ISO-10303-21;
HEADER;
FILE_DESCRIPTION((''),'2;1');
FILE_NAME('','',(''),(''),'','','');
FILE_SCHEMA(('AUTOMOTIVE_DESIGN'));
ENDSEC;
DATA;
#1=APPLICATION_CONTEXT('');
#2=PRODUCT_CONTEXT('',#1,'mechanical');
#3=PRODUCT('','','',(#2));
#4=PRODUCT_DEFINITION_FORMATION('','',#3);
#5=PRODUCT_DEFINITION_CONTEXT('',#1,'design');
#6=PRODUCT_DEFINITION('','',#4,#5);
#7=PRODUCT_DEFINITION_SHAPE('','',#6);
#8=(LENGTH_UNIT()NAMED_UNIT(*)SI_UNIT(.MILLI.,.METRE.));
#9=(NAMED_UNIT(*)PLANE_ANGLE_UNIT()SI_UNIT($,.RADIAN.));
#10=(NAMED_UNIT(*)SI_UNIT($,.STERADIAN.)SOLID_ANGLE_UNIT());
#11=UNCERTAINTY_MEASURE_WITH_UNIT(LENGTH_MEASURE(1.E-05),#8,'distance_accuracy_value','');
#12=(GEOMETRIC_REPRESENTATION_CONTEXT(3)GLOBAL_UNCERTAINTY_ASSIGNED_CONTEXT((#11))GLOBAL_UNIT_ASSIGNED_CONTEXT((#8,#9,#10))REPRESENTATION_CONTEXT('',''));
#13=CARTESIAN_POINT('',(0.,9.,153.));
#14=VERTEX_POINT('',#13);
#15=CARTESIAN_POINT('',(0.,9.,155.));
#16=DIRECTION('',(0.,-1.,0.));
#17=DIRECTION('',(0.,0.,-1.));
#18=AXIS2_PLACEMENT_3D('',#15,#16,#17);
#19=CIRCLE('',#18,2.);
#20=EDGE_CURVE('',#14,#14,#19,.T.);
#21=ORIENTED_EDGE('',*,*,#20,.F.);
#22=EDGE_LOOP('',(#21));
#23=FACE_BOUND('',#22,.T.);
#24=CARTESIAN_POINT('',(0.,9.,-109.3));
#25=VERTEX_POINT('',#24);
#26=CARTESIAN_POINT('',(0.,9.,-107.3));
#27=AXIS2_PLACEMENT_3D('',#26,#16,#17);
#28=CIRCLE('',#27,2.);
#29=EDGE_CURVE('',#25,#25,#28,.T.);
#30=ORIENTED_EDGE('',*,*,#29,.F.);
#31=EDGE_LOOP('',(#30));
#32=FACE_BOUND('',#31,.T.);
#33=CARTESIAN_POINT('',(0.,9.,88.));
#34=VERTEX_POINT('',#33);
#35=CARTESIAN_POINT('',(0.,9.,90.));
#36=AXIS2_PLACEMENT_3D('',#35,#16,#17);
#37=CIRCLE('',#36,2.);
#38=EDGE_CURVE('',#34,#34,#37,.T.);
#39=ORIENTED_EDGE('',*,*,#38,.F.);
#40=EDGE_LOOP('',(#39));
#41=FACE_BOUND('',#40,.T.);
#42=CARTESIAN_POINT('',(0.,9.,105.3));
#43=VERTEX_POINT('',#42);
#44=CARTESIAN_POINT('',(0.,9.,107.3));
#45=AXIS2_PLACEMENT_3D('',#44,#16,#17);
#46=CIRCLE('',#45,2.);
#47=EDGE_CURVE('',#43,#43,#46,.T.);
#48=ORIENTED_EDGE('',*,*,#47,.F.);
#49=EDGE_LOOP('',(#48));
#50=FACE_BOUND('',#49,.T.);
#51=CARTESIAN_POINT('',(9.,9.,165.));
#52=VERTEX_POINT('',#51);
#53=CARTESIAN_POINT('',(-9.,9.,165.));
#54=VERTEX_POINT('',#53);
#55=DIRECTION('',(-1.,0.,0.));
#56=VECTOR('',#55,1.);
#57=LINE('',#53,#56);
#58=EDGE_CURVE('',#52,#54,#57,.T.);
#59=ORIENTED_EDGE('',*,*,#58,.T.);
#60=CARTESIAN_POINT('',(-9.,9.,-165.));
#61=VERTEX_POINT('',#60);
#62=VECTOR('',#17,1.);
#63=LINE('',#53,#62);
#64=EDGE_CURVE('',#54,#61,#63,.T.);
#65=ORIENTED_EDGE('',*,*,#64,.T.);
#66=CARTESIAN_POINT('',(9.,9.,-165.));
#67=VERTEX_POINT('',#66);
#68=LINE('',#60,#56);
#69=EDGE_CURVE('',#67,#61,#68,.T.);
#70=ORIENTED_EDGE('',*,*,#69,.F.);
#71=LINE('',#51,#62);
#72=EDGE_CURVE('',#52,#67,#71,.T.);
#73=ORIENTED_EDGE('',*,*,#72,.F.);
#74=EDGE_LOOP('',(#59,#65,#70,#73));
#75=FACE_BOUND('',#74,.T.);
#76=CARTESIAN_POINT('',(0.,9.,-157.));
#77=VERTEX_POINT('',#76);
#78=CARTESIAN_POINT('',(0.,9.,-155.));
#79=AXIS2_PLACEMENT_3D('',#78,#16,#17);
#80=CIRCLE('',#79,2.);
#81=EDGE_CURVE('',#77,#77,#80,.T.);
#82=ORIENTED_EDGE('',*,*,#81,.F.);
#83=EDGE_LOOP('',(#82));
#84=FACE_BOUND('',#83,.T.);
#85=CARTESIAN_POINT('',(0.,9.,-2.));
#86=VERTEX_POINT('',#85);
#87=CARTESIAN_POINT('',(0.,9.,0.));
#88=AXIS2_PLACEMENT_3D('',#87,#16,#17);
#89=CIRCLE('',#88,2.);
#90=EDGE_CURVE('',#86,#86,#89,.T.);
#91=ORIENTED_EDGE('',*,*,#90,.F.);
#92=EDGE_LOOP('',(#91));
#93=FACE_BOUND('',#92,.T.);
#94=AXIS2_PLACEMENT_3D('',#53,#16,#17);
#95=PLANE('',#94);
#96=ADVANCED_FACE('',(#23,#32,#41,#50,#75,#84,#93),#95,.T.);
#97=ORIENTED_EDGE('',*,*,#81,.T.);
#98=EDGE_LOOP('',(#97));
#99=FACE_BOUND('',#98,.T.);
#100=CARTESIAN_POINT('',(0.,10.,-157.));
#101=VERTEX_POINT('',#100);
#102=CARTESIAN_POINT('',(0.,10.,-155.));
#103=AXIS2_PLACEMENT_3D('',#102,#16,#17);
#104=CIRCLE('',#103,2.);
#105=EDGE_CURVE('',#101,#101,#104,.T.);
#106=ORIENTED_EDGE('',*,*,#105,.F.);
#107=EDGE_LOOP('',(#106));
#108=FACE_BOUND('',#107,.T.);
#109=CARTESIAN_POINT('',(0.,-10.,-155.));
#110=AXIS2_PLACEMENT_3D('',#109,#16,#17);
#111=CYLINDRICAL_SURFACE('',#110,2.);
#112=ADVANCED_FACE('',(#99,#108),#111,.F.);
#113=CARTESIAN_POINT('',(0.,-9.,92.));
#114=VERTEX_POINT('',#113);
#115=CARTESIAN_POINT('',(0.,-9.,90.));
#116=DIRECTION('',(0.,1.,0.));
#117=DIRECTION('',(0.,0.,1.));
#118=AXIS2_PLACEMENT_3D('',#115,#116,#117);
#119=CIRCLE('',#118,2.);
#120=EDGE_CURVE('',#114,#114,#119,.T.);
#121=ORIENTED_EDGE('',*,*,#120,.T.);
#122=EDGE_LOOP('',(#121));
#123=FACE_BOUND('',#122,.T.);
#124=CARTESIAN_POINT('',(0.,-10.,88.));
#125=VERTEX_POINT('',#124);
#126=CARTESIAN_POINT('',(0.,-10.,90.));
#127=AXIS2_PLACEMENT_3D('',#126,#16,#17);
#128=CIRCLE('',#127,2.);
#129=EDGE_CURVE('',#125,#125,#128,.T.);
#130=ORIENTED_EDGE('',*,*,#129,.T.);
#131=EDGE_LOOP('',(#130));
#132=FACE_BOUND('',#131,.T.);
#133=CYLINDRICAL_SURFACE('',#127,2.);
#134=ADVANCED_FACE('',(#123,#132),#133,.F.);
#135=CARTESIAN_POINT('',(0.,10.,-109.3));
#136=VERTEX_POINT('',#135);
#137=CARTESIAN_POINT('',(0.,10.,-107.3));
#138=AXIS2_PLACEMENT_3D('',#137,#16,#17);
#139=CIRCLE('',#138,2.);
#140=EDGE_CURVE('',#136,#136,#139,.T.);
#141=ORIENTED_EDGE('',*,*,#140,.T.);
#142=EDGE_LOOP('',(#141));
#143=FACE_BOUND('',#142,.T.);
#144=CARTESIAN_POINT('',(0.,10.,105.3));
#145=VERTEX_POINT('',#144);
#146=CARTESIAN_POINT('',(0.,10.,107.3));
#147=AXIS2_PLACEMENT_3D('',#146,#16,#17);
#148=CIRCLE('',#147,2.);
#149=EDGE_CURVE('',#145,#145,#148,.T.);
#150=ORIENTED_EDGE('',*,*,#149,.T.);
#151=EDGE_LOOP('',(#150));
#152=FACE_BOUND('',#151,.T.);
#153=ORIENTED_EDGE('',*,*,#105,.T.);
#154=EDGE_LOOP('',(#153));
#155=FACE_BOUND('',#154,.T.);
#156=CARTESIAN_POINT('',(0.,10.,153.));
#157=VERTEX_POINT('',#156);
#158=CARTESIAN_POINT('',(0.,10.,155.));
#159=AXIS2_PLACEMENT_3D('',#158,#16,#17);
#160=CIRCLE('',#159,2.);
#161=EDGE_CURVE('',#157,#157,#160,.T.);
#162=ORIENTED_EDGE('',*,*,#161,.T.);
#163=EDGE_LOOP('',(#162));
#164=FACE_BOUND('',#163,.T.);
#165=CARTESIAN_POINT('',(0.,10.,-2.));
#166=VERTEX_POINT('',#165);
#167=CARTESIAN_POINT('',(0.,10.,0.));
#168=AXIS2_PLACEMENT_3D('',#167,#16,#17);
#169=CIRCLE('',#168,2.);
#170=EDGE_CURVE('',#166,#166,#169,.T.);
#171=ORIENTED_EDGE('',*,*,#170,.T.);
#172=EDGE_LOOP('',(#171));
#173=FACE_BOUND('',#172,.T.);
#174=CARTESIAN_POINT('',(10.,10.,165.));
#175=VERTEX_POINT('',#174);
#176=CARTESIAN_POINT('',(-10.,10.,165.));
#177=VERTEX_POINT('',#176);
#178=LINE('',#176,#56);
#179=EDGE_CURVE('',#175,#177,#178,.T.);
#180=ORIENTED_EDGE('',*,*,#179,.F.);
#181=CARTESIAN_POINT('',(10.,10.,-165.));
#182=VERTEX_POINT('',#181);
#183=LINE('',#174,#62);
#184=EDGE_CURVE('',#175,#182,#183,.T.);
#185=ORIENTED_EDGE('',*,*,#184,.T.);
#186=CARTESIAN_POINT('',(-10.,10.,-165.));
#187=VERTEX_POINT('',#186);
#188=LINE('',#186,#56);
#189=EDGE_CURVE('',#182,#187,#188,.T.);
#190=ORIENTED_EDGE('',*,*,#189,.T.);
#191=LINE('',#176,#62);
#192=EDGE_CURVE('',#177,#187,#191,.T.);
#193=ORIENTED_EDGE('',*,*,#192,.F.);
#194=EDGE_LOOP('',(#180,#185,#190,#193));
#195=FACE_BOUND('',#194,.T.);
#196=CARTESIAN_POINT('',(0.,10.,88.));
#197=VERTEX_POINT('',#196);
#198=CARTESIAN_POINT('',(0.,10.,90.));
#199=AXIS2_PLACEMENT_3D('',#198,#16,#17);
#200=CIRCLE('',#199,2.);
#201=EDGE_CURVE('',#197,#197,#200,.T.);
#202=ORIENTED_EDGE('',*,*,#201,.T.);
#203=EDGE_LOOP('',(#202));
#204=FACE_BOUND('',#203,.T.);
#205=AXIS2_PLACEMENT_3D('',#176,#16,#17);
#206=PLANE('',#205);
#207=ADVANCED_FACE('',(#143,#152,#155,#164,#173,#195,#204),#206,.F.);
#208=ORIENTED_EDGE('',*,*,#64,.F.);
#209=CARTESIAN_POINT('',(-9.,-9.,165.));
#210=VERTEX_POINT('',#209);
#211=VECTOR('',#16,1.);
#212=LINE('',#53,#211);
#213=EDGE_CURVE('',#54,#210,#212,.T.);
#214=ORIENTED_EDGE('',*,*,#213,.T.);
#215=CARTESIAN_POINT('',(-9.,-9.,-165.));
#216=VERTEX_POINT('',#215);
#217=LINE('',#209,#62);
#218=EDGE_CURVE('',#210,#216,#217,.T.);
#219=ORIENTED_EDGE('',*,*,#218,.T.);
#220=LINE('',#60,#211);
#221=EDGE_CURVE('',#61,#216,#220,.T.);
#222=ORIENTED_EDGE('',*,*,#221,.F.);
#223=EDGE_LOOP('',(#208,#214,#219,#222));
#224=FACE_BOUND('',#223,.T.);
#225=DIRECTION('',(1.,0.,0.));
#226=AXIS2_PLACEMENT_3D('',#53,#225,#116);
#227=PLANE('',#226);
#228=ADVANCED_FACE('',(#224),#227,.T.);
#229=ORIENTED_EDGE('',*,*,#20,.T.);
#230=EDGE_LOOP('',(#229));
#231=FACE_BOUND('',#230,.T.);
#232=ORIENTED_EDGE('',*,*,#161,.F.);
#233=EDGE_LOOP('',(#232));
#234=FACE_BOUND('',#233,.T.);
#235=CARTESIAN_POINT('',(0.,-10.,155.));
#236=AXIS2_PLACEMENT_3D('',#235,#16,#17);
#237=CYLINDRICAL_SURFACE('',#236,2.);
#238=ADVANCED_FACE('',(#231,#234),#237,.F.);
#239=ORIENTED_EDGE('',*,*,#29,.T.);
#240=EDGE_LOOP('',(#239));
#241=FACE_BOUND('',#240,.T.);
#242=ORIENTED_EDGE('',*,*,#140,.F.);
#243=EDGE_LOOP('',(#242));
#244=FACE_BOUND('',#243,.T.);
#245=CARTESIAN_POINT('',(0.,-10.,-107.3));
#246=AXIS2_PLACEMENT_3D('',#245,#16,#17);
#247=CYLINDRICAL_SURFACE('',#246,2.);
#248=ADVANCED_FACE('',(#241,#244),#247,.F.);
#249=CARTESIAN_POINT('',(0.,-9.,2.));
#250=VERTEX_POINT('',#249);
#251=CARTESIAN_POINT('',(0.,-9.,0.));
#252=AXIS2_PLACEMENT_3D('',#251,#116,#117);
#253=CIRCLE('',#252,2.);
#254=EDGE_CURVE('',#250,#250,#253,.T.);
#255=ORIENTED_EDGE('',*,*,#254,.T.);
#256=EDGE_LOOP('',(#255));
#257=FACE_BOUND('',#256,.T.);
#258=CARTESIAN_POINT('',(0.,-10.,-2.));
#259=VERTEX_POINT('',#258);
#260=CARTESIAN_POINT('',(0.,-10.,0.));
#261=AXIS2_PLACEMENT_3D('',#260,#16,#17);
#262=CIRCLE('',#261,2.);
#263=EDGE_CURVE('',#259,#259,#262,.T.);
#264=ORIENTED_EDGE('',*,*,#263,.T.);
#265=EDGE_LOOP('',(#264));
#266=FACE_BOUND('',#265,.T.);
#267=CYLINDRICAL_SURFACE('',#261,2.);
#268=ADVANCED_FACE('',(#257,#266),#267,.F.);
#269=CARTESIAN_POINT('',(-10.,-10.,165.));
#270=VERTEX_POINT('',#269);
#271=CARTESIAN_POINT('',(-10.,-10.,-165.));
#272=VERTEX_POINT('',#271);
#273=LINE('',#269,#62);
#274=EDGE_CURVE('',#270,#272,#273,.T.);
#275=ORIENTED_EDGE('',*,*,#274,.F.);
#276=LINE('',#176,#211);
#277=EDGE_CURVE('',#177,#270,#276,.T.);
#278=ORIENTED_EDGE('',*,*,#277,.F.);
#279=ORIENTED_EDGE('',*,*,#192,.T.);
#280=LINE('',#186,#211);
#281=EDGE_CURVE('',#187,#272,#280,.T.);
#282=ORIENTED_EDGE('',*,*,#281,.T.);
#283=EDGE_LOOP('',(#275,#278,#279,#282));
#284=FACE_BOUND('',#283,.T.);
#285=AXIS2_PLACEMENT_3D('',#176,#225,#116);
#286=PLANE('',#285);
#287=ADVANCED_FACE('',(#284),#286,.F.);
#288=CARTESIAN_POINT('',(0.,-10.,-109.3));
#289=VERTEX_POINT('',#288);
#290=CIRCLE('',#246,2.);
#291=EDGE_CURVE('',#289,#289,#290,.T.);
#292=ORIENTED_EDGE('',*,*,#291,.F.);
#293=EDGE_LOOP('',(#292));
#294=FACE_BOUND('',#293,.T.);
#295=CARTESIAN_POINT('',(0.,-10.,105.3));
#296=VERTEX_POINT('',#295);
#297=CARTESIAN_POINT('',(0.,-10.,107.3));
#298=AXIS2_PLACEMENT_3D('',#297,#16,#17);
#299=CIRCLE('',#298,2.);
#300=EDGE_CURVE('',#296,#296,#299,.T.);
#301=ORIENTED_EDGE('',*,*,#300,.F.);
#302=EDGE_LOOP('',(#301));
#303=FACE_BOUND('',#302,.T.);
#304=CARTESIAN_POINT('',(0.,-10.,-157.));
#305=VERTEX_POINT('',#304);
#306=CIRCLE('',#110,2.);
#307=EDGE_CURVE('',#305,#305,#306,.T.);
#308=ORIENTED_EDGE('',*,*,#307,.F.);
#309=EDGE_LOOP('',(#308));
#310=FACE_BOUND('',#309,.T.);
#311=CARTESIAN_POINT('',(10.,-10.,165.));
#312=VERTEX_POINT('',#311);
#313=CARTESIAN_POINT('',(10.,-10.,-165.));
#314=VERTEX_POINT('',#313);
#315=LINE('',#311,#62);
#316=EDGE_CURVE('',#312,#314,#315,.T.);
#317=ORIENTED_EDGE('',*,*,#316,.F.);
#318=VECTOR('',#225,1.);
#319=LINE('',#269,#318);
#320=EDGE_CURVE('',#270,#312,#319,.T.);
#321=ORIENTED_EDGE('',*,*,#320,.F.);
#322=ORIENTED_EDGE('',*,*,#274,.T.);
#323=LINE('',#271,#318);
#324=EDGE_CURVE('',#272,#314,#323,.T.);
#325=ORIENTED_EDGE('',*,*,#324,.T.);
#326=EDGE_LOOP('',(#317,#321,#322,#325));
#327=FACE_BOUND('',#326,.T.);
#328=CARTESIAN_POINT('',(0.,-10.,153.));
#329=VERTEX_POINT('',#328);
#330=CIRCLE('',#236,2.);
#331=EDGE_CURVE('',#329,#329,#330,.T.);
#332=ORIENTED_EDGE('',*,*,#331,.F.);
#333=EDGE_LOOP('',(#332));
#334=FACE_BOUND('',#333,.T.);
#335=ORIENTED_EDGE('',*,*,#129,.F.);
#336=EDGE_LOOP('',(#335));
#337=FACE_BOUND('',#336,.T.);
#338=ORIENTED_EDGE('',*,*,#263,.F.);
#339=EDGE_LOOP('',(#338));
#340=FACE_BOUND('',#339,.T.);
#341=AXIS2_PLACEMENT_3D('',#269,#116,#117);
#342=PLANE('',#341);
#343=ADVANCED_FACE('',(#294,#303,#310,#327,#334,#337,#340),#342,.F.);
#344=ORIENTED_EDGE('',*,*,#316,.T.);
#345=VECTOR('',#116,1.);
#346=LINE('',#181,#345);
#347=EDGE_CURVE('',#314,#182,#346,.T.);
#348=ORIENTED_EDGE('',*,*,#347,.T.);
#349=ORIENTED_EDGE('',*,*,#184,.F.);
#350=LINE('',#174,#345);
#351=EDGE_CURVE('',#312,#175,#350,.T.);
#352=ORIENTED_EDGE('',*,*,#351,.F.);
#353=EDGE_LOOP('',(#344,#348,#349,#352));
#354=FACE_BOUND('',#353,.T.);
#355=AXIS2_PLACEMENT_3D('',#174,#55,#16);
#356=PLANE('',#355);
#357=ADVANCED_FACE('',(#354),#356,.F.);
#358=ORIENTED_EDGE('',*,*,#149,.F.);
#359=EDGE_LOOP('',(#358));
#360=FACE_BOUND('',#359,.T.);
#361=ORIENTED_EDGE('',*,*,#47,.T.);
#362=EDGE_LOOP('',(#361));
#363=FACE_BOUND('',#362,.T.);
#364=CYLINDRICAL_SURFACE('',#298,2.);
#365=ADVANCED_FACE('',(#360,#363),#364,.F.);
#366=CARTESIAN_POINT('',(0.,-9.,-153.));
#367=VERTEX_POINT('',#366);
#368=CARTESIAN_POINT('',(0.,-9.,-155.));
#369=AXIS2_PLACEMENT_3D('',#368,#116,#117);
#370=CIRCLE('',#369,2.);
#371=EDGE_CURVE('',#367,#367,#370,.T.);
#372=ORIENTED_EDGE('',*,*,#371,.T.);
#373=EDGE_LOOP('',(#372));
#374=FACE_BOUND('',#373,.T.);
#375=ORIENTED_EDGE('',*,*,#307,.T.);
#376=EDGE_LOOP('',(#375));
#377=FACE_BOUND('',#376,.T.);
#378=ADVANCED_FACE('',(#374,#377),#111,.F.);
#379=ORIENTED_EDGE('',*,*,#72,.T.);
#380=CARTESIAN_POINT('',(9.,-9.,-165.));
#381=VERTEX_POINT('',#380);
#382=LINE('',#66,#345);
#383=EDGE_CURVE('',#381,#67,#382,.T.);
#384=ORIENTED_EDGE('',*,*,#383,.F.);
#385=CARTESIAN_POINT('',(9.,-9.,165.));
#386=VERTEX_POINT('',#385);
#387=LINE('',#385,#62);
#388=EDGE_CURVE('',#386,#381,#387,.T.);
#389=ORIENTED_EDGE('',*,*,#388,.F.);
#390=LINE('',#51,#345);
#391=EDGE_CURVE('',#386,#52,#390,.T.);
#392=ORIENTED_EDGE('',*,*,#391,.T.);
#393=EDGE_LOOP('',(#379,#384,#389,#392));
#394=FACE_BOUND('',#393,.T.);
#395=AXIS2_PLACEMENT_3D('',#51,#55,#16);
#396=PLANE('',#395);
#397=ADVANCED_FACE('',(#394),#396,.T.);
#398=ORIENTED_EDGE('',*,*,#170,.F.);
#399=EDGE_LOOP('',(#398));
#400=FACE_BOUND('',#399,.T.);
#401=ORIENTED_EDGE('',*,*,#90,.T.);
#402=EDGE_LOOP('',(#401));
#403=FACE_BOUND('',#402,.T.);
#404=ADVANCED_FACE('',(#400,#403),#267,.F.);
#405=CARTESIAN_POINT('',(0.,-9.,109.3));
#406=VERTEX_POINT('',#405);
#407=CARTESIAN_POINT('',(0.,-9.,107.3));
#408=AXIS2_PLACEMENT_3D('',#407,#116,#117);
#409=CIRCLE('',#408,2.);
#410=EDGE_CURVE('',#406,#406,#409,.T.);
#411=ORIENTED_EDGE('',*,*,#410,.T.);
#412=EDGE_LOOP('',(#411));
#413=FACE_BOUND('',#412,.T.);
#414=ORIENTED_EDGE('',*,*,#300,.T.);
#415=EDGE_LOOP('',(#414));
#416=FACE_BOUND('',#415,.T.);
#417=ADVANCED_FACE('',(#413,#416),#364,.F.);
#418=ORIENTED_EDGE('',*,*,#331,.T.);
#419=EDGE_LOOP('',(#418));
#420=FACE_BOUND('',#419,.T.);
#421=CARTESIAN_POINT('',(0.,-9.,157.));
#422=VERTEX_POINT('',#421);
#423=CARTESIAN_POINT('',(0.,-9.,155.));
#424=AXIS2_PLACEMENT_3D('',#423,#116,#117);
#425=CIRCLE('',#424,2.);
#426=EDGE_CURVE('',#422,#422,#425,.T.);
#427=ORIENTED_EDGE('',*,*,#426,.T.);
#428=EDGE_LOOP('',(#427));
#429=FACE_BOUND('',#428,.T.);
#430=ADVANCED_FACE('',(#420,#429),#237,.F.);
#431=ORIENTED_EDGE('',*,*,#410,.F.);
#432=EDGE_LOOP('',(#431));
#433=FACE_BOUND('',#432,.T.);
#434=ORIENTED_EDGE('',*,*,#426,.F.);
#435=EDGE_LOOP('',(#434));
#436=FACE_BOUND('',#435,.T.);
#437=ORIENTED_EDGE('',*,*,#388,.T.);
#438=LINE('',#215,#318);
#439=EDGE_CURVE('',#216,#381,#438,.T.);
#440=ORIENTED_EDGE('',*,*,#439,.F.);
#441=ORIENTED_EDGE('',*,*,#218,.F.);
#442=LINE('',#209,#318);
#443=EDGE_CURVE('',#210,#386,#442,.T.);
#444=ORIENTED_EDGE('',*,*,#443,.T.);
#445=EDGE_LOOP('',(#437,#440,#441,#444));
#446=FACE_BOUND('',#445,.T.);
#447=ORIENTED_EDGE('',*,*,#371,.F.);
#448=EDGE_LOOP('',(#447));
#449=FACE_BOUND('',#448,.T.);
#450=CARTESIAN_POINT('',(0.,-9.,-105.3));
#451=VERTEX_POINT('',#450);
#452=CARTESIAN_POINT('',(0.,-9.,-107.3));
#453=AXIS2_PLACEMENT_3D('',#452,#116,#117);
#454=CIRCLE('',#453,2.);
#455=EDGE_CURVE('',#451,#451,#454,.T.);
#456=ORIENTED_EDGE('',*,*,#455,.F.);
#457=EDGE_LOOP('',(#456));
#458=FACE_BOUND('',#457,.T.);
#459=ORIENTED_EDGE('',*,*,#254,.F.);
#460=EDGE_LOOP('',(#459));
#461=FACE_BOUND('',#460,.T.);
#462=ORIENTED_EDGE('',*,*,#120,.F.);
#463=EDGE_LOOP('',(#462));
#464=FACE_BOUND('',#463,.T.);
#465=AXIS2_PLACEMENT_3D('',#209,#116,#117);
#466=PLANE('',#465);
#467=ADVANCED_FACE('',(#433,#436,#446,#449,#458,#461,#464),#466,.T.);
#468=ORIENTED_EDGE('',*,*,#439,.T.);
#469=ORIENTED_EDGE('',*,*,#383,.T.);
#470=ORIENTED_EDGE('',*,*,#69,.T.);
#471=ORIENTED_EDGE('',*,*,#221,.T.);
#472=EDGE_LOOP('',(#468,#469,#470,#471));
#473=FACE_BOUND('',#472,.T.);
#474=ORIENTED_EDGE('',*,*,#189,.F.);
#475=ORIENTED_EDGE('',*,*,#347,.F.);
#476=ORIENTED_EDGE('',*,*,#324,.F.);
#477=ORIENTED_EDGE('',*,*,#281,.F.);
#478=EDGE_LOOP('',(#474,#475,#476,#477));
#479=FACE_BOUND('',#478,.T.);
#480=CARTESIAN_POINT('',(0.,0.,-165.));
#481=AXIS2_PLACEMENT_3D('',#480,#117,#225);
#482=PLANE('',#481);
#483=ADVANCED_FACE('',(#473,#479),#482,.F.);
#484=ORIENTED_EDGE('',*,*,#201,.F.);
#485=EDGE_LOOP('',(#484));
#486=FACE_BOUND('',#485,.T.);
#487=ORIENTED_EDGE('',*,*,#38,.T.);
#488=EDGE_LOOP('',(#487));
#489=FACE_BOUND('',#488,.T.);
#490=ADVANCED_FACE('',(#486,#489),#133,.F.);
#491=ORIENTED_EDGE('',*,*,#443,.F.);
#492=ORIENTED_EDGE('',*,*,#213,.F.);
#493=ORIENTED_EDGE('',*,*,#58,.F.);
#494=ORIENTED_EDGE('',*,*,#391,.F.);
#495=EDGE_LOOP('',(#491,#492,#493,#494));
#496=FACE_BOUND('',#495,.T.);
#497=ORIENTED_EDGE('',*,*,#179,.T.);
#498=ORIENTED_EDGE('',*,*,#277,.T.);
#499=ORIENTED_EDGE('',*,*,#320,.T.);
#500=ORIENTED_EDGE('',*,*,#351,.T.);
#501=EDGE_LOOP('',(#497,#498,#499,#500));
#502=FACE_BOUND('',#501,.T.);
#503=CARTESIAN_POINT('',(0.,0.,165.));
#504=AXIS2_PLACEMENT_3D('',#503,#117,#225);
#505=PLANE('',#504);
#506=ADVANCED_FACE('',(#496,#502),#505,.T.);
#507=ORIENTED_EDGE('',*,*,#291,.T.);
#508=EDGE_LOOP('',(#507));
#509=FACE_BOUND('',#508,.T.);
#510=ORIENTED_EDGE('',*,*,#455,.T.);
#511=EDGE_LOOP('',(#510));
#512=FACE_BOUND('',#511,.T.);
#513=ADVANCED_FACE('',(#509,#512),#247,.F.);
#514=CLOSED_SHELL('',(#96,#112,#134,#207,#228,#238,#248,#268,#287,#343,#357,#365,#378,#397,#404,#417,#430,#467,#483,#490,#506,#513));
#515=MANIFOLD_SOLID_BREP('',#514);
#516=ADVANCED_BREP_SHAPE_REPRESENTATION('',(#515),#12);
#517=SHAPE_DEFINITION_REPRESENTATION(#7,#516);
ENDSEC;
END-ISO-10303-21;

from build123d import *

# Parameters (mm, degrees)
SKETCH_1_W            = 20
SKETCH_1_H            = 20
SKETCH_1_W_2          = 18
SKETCH_1_H_2          = 18
EXTRUDE_1_DEPTH       = 165
MM_1_D                = 4
HOLE_WIZARD_4_0_4_1_D = 4
HOLE_WIZARD_4_0_4_2_D = 4


with BuildPart() as part:
    # 草图1 → 凸台-拉伸1 (new, symmetric)
    with BuildSketch(Plane.XY):
        Rectangle(SKETCH_1_W, SKETCH_1_H)
        Rectangle(SKETCH_1_W_2, SKETCH_1_H_2, mode=Mode.SUBTRACT)
    extrude(amount=EXTRUDE_1_DEPTH, both=True)

    # 大小mm 暗销孔1 (through all)
    with Locations(Plane(origin=(0, -10, 0), x_dir=(-1, 0, 0), z_dir=(0, -1, 0))):
        with Locations((0, -107.3)):
            mm_1 = Hole(MM_1_D / 2)

    # 镜向1: 大小mm 暗销孔1 across plane
    add(mm_1.mirror(Plane.XY), mode=Mode.SUBTRACT)

    # Ø4.0 (4) 直径孔1 (through all)
    with Locations(Plane(origin=(0, -10, 0), x_dir=(-1, 0, 0), z_dir=(0, -1, 0))):
        with Locations((0, -155)):
            hole_wizard_4_0_4_1 = Hole(HOLE_WIZARD_4_0_4_1_D / 2)

    # 镜向2: Ø4.0 (4) 直径孔1 across plane
    add(hole_wizard_4_0_4_1.mirror(Plane.XY), mode=Mode.SUBTRACT)

    # Ø4.0 (4) 直径孔2 (through all)
    with Locations(Plane(origin=(0, -10, 0), x_dir=(-1, 0, 0), z_dir=(0, -1, 0))):
        with Locations((0, -90), (0, 0)):
            Hole(HOLE_WIZARD_4_0_4_2_D / 2)


solid = part.part
